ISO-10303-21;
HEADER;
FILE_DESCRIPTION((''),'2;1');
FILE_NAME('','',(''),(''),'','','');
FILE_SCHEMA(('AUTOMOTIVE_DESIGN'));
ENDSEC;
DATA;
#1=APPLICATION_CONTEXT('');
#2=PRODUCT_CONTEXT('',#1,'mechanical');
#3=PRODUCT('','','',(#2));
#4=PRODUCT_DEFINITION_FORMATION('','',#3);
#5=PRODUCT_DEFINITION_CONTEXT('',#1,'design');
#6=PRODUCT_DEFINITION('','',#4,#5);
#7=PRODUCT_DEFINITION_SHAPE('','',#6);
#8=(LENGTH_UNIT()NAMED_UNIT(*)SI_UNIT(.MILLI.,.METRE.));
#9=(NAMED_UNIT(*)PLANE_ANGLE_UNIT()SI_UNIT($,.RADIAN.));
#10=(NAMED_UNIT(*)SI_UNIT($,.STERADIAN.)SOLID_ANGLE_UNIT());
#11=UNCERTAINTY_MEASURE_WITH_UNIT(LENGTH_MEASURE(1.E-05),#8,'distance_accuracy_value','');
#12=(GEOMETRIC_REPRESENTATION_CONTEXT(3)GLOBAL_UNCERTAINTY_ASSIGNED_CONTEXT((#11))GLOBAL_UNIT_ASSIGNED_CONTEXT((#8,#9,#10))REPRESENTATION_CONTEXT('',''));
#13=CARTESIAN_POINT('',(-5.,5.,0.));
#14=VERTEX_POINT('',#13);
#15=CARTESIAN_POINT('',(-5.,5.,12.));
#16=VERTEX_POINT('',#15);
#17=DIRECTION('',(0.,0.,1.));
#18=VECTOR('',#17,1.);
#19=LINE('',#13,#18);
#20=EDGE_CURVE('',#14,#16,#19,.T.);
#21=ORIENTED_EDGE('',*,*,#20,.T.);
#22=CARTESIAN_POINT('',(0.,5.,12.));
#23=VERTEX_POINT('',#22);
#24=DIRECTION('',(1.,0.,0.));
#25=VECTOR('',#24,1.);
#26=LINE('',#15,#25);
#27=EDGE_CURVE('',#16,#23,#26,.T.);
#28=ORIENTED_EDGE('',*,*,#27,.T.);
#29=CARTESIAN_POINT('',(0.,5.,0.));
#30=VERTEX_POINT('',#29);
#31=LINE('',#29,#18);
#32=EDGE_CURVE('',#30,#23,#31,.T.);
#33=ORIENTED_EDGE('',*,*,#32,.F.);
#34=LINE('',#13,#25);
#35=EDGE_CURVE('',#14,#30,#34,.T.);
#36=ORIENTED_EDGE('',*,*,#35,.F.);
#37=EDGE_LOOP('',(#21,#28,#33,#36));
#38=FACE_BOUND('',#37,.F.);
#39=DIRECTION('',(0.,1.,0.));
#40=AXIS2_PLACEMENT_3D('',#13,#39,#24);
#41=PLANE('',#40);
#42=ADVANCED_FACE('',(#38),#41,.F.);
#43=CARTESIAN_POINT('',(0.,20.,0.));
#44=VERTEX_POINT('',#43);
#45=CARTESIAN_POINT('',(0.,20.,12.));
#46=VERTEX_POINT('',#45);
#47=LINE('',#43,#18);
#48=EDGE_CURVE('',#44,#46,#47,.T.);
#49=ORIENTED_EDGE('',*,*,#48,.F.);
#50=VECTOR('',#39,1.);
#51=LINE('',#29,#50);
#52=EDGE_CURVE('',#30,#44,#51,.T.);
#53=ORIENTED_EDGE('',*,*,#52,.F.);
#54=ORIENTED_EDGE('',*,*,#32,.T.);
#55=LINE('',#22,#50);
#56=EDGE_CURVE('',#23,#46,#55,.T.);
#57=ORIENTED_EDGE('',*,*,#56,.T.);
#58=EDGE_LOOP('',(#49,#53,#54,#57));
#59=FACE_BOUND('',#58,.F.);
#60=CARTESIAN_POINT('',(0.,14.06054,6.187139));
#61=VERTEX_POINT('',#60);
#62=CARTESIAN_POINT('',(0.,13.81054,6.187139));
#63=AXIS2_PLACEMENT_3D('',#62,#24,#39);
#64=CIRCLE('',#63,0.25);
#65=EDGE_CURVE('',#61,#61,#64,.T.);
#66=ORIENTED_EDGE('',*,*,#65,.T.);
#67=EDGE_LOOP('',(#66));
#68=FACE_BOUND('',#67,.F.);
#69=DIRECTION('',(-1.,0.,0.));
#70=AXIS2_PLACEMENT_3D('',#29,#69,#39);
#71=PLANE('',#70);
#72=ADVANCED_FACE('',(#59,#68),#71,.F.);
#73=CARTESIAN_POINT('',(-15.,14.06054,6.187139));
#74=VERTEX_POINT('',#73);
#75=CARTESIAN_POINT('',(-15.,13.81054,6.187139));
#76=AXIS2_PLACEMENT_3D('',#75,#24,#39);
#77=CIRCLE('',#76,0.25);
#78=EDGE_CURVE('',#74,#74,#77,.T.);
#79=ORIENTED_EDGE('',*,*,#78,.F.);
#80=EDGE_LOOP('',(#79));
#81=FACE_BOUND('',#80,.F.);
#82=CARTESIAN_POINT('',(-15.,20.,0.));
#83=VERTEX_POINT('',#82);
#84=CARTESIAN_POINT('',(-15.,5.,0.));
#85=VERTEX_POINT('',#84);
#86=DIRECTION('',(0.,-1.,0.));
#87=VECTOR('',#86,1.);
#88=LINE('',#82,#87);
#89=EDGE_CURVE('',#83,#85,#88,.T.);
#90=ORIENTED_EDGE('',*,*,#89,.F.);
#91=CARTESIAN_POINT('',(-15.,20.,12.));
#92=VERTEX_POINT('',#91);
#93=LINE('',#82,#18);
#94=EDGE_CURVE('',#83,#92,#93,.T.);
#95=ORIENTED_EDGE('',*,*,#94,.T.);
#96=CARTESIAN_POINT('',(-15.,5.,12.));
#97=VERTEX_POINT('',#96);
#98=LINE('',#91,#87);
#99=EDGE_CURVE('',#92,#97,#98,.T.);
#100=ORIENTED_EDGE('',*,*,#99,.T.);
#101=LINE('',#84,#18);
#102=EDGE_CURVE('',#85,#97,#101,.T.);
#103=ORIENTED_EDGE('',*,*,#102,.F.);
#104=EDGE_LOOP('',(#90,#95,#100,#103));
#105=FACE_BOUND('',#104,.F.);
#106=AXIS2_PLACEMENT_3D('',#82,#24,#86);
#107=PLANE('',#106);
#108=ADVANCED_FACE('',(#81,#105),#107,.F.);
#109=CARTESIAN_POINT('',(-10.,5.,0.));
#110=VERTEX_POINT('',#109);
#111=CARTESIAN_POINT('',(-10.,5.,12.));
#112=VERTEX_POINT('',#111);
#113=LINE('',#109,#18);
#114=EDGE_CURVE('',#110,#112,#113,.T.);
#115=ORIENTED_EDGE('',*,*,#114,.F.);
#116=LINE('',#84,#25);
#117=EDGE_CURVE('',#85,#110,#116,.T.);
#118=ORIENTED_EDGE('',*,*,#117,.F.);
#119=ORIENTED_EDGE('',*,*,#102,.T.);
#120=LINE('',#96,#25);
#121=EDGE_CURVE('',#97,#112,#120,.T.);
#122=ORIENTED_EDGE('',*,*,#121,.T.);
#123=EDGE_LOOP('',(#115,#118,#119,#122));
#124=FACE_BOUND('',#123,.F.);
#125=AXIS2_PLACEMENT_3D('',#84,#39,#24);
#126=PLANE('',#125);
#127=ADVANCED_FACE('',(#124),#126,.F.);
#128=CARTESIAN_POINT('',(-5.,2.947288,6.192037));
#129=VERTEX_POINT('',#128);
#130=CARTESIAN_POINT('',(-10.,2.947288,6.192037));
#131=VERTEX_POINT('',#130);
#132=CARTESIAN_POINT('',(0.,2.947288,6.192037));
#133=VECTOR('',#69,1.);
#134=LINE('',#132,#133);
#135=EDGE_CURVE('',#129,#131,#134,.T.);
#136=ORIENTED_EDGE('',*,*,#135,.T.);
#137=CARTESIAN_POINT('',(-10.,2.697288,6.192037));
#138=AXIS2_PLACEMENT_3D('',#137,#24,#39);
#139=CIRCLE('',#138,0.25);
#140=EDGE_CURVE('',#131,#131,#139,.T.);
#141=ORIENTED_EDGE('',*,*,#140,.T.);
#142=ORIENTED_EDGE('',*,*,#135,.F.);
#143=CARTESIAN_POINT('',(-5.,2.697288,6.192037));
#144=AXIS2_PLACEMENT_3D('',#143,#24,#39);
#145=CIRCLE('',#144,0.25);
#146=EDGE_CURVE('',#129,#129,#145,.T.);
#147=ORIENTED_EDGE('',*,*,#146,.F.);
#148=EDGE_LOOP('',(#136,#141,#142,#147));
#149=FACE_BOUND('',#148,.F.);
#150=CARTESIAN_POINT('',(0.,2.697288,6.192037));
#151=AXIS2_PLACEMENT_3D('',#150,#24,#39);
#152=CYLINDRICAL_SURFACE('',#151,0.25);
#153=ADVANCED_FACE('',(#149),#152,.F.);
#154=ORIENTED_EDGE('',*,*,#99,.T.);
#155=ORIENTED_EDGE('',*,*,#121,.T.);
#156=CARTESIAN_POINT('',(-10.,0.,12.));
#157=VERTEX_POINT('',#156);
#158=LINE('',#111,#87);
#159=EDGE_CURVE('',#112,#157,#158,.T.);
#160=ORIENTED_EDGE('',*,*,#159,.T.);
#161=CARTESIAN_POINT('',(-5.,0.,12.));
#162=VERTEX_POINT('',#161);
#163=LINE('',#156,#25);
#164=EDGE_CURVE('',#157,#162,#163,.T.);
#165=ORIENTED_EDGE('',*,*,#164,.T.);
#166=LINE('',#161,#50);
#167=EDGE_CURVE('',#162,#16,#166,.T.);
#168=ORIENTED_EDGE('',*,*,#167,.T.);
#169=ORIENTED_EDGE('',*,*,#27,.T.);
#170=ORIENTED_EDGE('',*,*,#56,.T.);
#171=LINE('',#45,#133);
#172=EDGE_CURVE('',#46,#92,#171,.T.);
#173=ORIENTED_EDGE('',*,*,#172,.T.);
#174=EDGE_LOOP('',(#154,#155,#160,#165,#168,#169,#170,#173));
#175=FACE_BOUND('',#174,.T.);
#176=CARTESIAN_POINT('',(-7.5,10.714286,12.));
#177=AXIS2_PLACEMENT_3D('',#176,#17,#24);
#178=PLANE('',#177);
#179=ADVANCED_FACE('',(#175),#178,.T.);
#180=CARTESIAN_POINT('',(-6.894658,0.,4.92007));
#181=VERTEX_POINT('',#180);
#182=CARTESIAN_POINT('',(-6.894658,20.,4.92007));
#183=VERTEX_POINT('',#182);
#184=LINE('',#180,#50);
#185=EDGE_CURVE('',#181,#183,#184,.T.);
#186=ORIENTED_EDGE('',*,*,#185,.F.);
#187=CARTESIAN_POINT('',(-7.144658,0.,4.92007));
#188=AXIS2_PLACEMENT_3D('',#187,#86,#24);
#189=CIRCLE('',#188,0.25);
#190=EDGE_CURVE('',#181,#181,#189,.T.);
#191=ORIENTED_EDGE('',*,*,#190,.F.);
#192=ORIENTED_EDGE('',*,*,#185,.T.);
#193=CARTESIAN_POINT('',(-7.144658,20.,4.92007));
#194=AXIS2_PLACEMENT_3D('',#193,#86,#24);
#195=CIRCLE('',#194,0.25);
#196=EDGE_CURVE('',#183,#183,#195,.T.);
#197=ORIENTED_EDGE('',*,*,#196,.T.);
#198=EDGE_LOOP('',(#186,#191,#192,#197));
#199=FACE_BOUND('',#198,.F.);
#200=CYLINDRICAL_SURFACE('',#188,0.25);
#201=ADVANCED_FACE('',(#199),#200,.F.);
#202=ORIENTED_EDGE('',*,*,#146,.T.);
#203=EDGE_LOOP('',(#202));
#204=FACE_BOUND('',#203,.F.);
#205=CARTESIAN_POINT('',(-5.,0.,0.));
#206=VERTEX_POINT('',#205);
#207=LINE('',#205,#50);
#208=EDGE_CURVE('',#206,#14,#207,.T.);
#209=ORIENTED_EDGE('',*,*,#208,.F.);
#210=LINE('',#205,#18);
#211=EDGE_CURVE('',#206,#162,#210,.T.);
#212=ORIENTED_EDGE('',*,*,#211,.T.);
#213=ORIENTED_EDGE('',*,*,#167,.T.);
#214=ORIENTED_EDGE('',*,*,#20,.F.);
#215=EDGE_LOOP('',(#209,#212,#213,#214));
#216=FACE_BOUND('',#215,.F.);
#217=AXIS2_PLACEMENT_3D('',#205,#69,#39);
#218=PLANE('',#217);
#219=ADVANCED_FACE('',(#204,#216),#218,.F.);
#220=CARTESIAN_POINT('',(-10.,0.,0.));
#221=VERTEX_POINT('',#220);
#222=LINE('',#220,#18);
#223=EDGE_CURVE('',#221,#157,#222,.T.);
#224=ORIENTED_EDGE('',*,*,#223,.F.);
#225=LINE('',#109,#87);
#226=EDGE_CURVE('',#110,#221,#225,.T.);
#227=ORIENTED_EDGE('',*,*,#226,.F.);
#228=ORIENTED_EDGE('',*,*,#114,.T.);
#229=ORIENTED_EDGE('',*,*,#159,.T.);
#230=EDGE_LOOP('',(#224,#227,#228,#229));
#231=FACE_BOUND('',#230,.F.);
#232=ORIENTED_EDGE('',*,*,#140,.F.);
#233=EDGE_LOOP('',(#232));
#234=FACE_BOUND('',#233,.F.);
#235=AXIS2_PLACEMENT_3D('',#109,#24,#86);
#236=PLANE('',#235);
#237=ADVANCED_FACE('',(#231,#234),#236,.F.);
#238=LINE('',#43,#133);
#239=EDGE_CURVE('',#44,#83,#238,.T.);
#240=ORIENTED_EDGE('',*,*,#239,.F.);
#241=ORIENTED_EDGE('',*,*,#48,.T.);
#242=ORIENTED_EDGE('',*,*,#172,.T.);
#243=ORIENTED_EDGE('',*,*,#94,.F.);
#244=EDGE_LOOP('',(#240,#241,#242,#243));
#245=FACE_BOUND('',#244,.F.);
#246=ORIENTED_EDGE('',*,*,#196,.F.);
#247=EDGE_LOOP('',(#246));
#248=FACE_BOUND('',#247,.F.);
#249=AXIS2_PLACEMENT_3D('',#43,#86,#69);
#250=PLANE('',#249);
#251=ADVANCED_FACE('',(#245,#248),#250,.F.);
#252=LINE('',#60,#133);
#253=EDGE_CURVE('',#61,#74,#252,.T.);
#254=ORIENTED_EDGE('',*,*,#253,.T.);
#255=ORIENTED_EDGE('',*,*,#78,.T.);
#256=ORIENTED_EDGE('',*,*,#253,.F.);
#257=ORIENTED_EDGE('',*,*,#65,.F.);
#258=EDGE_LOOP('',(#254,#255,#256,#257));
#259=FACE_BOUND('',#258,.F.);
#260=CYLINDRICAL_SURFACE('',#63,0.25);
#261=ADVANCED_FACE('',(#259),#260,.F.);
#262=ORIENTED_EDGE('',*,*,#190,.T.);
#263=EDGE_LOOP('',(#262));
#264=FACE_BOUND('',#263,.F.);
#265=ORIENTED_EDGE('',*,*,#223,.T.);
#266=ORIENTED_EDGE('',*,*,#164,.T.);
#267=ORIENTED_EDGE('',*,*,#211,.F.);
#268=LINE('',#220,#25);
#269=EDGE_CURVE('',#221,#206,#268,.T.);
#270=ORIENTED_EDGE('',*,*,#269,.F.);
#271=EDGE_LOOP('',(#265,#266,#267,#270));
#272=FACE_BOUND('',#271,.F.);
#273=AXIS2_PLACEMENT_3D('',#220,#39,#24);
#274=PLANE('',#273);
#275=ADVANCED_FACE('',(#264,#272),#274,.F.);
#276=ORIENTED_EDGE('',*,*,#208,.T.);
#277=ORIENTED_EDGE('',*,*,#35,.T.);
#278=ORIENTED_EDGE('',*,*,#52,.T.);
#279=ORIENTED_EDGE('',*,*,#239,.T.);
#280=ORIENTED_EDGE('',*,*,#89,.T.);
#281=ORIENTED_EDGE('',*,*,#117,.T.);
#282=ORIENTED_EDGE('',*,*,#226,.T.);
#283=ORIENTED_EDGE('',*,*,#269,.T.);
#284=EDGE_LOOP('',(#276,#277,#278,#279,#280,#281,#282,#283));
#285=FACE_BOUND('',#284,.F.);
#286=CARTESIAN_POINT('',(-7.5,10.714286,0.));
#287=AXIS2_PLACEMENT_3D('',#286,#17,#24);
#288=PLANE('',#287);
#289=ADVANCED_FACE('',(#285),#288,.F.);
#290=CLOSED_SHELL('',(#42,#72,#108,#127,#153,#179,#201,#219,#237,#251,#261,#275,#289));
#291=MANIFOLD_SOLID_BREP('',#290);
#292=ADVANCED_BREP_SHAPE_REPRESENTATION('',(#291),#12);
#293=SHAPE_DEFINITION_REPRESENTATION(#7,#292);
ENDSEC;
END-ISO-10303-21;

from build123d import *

# Parameters (mm, degrees)
F1_DEPTH = 12
F2_R     = 0.25
F3_DEPTH = 52.1
F4_R     = 0.25
F5_DEPTH = 44
F6_R     = 0.25
F7_DEPTH = 57


with BuildPart() as f1:
    # F0 (on Top) → F1 (new body)
    with BuildSketch(Plane.XY):
        Polygon((0, 20), (-15, 20), (-15, 5), (-10, 5), (-10, 0), (-5, 0), (-5, 5), (0, 5), align=None)
    extrude(amount=F1_DEPTH)

    # F2 (on Right) → F3 (cut)
    with BuildSketch(Plane.YZ):
        with Locations((13.81054, 6.187139)):
            Circle(F2_R)
    extrude(amount=-F3_DEPTH, mode=Mode.SUBTRACT)

    # F4 (on Front) → F5 (cut)
    with BuildSketch(Plane.XZ):
        with Locations((-7.144658, 4.92007)):
            Circle(F4_R)
    extrude(amount=-F5_DEPTH, mode=Mode.SUBTRACT)

    # F6 (on Right) → F7 (cut)
    with BuildSketch(Plane.YZ):
        with Locations((2.697288, 6.192037)):
            Circle(F6_R)
    extrude(amount=-F7_DEPTH, mode=Mode.SUBTRACT)


solid = f1.part
